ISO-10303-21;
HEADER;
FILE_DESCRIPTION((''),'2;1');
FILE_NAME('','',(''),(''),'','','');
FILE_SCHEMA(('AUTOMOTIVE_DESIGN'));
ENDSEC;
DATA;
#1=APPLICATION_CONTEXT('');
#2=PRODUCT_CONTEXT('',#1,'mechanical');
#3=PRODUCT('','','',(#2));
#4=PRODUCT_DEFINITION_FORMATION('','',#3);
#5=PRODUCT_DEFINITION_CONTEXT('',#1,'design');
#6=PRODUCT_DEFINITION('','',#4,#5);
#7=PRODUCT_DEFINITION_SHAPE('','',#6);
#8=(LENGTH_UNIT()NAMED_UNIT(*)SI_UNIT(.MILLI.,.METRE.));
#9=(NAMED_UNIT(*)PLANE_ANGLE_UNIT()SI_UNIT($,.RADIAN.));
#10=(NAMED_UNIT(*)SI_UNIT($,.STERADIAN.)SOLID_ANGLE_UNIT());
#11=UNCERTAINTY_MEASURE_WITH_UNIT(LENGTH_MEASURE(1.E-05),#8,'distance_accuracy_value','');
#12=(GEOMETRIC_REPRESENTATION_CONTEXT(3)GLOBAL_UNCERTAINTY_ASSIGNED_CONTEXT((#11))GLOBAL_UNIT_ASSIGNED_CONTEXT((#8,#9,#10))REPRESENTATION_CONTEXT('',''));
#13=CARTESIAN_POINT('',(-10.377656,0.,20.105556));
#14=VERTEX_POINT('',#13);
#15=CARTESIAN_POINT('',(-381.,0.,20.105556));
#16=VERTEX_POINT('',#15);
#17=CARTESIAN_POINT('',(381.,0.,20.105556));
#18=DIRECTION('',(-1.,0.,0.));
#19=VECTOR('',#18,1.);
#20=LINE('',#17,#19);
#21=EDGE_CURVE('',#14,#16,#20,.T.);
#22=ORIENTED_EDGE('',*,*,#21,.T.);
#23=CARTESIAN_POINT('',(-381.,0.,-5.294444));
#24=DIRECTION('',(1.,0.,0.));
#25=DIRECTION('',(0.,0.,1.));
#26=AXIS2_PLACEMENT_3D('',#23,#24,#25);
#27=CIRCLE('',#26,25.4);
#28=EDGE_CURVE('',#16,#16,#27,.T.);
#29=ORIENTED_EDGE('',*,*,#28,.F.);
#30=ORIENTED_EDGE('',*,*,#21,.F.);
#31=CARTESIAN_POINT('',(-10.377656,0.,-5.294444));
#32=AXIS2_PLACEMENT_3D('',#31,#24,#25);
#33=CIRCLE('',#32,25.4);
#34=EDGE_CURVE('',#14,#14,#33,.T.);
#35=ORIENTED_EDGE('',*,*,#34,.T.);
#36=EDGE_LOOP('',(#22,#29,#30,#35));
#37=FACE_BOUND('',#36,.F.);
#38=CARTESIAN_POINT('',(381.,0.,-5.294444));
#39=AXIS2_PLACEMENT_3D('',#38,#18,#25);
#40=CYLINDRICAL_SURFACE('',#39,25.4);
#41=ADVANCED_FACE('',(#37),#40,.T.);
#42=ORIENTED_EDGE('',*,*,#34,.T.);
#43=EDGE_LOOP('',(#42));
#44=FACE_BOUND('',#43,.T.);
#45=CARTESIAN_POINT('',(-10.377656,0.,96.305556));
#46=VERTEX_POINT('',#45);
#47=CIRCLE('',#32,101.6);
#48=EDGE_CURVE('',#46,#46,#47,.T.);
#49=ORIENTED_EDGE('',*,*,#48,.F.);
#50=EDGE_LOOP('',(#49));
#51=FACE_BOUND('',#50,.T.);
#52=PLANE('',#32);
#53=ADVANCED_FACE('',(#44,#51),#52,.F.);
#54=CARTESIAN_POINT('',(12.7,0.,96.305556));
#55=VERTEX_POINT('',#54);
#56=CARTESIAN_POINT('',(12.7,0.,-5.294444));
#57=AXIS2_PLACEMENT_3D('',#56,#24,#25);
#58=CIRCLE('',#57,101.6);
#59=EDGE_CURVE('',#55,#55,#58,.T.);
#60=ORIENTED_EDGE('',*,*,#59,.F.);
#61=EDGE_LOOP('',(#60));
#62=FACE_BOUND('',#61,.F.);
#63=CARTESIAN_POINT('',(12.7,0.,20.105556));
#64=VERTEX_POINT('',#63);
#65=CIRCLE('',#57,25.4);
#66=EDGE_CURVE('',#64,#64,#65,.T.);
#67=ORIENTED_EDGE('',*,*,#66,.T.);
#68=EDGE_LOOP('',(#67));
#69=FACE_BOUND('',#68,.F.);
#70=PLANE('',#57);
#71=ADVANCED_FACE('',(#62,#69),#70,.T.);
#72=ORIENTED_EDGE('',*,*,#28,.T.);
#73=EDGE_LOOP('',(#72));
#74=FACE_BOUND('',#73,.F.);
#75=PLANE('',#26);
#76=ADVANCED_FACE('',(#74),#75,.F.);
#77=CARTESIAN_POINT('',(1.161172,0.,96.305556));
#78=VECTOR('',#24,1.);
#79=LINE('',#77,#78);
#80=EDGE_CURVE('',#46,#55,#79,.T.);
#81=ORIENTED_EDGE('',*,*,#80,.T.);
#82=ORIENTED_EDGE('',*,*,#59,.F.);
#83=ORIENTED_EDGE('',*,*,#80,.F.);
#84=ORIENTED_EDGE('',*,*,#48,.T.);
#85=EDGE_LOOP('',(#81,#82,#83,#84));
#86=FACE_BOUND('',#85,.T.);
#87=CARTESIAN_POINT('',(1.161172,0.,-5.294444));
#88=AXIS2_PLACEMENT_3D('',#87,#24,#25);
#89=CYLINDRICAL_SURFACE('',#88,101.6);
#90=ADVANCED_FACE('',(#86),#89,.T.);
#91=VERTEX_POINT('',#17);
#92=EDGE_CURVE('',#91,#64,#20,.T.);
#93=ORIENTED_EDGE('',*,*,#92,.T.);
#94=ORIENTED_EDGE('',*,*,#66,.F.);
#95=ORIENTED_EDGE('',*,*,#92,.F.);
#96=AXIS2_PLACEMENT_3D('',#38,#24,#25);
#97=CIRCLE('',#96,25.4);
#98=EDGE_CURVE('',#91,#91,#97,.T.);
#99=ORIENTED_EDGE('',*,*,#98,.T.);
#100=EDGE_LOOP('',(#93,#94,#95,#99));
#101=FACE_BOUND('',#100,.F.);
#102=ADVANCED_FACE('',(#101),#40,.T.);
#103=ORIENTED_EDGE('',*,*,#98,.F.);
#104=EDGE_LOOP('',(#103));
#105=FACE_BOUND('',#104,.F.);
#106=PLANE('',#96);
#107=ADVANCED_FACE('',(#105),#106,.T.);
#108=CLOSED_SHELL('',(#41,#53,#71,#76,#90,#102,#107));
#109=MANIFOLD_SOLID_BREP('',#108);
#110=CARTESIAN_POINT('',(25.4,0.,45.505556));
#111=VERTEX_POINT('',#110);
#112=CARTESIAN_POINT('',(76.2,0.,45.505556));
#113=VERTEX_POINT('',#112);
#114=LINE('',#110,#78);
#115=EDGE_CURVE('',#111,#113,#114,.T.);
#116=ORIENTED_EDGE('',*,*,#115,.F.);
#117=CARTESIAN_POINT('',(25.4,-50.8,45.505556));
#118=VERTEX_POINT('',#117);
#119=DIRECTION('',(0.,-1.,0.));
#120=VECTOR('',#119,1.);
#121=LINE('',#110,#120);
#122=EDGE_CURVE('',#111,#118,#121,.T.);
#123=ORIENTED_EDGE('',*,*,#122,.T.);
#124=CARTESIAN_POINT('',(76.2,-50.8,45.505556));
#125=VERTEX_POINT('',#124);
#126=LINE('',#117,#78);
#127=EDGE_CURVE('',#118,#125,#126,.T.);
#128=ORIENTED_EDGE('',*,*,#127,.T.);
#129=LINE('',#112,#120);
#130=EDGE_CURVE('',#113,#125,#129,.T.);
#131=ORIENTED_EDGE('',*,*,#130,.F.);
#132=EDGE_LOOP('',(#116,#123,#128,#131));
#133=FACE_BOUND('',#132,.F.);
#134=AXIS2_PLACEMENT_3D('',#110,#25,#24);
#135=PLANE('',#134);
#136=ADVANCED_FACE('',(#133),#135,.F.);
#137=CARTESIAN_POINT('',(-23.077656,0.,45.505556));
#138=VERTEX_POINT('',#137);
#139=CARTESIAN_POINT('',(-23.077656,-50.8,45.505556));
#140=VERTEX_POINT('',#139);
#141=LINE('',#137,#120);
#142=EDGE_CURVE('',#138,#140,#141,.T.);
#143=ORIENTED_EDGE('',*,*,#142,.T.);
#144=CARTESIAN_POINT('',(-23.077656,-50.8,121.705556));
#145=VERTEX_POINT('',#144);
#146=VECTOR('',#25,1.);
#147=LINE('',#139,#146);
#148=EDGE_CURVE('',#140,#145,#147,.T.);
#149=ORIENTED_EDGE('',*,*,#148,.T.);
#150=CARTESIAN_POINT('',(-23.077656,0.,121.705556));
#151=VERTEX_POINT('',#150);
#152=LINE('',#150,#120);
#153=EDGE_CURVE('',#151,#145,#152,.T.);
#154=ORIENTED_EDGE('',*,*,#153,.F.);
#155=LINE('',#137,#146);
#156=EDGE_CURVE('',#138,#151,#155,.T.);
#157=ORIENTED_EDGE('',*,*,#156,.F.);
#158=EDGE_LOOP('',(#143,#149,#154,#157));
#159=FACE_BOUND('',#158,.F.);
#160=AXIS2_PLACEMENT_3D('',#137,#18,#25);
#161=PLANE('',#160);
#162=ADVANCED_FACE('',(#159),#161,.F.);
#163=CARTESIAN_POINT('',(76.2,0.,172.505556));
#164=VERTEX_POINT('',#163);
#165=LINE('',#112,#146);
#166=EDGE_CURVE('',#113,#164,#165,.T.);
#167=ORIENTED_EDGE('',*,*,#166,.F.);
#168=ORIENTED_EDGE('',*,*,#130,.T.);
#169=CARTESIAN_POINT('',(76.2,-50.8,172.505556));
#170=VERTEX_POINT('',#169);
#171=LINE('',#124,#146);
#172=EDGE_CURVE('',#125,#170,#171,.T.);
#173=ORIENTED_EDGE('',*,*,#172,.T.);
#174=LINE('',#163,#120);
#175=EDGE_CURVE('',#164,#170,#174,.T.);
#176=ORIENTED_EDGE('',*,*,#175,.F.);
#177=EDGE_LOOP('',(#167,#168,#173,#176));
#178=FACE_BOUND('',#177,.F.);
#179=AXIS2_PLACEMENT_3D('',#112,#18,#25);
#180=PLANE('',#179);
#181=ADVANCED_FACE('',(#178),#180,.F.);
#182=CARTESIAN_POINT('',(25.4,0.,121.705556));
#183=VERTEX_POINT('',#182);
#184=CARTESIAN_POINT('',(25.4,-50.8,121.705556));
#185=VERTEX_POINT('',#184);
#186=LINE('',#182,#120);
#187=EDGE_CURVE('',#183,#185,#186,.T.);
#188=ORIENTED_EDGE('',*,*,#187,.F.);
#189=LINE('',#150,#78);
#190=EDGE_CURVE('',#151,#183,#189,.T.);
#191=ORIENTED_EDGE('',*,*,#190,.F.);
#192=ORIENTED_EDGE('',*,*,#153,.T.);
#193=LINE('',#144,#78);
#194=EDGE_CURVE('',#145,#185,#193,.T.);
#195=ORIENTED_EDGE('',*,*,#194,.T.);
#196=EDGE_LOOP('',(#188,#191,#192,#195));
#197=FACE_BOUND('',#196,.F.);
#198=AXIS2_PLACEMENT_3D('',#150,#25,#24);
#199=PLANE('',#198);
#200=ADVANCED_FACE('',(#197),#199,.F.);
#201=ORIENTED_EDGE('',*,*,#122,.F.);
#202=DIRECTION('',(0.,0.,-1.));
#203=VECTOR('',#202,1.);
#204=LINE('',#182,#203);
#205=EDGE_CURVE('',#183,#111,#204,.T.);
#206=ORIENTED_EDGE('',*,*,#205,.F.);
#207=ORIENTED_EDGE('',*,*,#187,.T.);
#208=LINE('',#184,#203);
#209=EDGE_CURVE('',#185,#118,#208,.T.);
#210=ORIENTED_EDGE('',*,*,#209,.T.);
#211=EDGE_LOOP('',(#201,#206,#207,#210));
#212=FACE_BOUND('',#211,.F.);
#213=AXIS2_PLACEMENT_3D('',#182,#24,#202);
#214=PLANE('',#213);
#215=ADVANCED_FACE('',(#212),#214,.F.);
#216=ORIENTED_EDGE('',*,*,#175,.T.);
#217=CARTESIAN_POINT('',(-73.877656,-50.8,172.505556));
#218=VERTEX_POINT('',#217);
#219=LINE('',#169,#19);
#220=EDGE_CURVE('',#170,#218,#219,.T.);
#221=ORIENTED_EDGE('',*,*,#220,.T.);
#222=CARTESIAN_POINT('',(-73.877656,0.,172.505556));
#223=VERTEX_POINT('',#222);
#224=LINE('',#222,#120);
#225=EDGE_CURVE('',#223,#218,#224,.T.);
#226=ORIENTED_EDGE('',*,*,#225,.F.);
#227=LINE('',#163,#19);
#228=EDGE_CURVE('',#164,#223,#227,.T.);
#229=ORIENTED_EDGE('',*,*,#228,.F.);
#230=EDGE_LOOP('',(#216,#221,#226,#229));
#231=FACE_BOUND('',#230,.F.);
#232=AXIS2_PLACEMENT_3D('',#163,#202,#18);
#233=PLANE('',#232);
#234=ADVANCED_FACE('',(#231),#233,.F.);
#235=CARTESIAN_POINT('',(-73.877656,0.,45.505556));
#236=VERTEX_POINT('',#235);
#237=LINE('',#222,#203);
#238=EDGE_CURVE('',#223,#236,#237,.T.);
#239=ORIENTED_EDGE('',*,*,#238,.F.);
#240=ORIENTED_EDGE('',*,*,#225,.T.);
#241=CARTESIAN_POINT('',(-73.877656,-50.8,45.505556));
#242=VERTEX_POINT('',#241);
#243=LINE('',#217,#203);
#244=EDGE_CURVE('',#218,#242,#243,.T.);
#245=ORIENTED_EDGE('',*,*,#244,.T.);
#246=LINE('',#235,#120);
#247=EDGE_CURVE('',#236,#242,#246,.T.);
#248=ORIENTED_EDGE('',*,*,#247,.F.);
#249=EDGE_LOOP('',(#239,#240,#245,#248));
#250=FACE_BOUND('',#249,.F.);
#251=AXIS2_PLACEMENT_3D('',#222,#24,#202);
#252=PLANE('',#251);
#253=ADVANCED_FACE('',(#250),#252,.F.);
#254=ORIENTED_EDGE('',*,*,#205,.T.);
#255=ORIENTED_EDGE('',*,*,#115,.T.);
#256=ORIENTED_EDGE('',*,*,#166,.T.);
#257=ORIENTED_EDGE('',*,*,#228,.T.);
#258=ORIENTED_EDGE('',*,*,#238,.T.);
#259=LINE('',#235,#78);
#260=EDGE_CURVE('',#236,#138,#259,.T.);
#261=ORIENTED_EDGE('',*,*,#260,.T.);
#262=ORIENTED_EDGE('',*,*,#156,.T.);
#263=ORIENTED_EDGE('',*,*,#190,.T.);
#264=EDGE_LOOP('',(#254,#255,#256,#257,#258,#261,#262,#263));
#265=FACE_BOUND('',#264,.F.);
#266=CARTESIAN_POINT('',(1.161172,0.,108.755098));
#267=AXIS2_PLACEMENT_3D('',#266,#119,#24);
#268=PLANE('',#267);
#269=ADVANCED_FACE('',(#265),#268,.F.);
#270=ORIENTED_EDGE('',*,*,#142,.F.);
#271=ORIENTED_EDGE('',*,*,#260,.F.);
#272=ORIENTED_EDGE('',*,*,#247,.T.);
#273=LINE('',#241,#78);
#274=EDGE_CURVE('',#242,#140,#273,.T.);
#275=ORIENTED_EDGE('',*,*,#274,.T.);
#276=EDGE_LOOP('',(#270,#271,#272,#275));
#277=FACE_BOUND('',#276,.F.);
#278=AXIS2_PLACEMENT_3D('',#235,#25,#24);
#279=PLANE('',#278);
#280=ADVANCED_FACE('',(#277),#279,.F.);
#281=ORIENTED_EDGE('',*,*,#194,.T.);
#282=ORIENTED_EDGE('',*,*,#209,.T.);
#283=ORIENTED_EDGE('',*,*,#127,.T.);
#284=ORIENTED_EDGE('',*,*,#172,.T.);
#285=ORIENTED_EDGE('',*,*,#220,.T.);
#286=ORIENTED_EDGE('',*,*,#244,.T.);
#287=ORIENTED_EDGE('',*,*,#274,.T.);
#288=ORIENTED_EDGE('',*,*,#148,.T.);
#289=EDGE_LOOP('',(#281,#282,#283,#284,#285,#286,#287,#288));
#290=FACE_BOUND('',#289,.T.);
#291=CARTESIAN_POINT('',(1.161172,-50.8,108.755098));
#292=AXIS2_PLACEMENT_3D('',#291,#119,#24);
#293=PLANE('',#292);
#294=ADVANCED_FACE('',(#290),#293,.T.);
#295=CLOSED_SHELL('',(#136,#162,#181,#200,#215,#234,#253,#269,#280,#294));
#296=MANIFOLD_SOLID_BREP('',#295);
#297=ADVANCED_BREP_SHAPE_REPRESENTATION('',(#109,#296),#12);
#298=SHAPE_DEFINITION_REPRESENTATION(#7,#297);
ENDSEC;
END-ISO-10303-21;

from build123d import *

# Parameters (mm, degrees)
F0_W     = 23.077656
F0_H     = 76.2
F2_DEPTH = 50.8


with BuildPart() as f1:
    # F0 (on Front) → F1 (revolve)
    with BuildSketch(Plane.XZ):
        Polygon((-10.377656, 20.105556), (-381, 20.105556), (-381, -5.294444), (381, -5.294444), (381, 20.105556), (12.7, 20.105556), align=None)
        with Locations((1.161172, 58.205556)):
            Rectangle(F0_W, F0_H)
    revolve(axis=Axis((0, 0, -5.294444), (1, 0, 0)))


with BuildPart() as f2:
    # F0 (on Front) → F2 (new body)
    with BuildSketch(Plane.XZ):
        Polygon((-73.877656, 45.505556), (-23.077656, 45.505556), (-23.077656, 121.705556), (25.4, 121.705556), (25.4, 45.505556), (76.2, 45.505556), (76.2, 172.505556), (-73.877656, 172.505556), align=None)
    extrude(amount=F2_DEPTH)


solid = Compound([f1.part, f2.part])
